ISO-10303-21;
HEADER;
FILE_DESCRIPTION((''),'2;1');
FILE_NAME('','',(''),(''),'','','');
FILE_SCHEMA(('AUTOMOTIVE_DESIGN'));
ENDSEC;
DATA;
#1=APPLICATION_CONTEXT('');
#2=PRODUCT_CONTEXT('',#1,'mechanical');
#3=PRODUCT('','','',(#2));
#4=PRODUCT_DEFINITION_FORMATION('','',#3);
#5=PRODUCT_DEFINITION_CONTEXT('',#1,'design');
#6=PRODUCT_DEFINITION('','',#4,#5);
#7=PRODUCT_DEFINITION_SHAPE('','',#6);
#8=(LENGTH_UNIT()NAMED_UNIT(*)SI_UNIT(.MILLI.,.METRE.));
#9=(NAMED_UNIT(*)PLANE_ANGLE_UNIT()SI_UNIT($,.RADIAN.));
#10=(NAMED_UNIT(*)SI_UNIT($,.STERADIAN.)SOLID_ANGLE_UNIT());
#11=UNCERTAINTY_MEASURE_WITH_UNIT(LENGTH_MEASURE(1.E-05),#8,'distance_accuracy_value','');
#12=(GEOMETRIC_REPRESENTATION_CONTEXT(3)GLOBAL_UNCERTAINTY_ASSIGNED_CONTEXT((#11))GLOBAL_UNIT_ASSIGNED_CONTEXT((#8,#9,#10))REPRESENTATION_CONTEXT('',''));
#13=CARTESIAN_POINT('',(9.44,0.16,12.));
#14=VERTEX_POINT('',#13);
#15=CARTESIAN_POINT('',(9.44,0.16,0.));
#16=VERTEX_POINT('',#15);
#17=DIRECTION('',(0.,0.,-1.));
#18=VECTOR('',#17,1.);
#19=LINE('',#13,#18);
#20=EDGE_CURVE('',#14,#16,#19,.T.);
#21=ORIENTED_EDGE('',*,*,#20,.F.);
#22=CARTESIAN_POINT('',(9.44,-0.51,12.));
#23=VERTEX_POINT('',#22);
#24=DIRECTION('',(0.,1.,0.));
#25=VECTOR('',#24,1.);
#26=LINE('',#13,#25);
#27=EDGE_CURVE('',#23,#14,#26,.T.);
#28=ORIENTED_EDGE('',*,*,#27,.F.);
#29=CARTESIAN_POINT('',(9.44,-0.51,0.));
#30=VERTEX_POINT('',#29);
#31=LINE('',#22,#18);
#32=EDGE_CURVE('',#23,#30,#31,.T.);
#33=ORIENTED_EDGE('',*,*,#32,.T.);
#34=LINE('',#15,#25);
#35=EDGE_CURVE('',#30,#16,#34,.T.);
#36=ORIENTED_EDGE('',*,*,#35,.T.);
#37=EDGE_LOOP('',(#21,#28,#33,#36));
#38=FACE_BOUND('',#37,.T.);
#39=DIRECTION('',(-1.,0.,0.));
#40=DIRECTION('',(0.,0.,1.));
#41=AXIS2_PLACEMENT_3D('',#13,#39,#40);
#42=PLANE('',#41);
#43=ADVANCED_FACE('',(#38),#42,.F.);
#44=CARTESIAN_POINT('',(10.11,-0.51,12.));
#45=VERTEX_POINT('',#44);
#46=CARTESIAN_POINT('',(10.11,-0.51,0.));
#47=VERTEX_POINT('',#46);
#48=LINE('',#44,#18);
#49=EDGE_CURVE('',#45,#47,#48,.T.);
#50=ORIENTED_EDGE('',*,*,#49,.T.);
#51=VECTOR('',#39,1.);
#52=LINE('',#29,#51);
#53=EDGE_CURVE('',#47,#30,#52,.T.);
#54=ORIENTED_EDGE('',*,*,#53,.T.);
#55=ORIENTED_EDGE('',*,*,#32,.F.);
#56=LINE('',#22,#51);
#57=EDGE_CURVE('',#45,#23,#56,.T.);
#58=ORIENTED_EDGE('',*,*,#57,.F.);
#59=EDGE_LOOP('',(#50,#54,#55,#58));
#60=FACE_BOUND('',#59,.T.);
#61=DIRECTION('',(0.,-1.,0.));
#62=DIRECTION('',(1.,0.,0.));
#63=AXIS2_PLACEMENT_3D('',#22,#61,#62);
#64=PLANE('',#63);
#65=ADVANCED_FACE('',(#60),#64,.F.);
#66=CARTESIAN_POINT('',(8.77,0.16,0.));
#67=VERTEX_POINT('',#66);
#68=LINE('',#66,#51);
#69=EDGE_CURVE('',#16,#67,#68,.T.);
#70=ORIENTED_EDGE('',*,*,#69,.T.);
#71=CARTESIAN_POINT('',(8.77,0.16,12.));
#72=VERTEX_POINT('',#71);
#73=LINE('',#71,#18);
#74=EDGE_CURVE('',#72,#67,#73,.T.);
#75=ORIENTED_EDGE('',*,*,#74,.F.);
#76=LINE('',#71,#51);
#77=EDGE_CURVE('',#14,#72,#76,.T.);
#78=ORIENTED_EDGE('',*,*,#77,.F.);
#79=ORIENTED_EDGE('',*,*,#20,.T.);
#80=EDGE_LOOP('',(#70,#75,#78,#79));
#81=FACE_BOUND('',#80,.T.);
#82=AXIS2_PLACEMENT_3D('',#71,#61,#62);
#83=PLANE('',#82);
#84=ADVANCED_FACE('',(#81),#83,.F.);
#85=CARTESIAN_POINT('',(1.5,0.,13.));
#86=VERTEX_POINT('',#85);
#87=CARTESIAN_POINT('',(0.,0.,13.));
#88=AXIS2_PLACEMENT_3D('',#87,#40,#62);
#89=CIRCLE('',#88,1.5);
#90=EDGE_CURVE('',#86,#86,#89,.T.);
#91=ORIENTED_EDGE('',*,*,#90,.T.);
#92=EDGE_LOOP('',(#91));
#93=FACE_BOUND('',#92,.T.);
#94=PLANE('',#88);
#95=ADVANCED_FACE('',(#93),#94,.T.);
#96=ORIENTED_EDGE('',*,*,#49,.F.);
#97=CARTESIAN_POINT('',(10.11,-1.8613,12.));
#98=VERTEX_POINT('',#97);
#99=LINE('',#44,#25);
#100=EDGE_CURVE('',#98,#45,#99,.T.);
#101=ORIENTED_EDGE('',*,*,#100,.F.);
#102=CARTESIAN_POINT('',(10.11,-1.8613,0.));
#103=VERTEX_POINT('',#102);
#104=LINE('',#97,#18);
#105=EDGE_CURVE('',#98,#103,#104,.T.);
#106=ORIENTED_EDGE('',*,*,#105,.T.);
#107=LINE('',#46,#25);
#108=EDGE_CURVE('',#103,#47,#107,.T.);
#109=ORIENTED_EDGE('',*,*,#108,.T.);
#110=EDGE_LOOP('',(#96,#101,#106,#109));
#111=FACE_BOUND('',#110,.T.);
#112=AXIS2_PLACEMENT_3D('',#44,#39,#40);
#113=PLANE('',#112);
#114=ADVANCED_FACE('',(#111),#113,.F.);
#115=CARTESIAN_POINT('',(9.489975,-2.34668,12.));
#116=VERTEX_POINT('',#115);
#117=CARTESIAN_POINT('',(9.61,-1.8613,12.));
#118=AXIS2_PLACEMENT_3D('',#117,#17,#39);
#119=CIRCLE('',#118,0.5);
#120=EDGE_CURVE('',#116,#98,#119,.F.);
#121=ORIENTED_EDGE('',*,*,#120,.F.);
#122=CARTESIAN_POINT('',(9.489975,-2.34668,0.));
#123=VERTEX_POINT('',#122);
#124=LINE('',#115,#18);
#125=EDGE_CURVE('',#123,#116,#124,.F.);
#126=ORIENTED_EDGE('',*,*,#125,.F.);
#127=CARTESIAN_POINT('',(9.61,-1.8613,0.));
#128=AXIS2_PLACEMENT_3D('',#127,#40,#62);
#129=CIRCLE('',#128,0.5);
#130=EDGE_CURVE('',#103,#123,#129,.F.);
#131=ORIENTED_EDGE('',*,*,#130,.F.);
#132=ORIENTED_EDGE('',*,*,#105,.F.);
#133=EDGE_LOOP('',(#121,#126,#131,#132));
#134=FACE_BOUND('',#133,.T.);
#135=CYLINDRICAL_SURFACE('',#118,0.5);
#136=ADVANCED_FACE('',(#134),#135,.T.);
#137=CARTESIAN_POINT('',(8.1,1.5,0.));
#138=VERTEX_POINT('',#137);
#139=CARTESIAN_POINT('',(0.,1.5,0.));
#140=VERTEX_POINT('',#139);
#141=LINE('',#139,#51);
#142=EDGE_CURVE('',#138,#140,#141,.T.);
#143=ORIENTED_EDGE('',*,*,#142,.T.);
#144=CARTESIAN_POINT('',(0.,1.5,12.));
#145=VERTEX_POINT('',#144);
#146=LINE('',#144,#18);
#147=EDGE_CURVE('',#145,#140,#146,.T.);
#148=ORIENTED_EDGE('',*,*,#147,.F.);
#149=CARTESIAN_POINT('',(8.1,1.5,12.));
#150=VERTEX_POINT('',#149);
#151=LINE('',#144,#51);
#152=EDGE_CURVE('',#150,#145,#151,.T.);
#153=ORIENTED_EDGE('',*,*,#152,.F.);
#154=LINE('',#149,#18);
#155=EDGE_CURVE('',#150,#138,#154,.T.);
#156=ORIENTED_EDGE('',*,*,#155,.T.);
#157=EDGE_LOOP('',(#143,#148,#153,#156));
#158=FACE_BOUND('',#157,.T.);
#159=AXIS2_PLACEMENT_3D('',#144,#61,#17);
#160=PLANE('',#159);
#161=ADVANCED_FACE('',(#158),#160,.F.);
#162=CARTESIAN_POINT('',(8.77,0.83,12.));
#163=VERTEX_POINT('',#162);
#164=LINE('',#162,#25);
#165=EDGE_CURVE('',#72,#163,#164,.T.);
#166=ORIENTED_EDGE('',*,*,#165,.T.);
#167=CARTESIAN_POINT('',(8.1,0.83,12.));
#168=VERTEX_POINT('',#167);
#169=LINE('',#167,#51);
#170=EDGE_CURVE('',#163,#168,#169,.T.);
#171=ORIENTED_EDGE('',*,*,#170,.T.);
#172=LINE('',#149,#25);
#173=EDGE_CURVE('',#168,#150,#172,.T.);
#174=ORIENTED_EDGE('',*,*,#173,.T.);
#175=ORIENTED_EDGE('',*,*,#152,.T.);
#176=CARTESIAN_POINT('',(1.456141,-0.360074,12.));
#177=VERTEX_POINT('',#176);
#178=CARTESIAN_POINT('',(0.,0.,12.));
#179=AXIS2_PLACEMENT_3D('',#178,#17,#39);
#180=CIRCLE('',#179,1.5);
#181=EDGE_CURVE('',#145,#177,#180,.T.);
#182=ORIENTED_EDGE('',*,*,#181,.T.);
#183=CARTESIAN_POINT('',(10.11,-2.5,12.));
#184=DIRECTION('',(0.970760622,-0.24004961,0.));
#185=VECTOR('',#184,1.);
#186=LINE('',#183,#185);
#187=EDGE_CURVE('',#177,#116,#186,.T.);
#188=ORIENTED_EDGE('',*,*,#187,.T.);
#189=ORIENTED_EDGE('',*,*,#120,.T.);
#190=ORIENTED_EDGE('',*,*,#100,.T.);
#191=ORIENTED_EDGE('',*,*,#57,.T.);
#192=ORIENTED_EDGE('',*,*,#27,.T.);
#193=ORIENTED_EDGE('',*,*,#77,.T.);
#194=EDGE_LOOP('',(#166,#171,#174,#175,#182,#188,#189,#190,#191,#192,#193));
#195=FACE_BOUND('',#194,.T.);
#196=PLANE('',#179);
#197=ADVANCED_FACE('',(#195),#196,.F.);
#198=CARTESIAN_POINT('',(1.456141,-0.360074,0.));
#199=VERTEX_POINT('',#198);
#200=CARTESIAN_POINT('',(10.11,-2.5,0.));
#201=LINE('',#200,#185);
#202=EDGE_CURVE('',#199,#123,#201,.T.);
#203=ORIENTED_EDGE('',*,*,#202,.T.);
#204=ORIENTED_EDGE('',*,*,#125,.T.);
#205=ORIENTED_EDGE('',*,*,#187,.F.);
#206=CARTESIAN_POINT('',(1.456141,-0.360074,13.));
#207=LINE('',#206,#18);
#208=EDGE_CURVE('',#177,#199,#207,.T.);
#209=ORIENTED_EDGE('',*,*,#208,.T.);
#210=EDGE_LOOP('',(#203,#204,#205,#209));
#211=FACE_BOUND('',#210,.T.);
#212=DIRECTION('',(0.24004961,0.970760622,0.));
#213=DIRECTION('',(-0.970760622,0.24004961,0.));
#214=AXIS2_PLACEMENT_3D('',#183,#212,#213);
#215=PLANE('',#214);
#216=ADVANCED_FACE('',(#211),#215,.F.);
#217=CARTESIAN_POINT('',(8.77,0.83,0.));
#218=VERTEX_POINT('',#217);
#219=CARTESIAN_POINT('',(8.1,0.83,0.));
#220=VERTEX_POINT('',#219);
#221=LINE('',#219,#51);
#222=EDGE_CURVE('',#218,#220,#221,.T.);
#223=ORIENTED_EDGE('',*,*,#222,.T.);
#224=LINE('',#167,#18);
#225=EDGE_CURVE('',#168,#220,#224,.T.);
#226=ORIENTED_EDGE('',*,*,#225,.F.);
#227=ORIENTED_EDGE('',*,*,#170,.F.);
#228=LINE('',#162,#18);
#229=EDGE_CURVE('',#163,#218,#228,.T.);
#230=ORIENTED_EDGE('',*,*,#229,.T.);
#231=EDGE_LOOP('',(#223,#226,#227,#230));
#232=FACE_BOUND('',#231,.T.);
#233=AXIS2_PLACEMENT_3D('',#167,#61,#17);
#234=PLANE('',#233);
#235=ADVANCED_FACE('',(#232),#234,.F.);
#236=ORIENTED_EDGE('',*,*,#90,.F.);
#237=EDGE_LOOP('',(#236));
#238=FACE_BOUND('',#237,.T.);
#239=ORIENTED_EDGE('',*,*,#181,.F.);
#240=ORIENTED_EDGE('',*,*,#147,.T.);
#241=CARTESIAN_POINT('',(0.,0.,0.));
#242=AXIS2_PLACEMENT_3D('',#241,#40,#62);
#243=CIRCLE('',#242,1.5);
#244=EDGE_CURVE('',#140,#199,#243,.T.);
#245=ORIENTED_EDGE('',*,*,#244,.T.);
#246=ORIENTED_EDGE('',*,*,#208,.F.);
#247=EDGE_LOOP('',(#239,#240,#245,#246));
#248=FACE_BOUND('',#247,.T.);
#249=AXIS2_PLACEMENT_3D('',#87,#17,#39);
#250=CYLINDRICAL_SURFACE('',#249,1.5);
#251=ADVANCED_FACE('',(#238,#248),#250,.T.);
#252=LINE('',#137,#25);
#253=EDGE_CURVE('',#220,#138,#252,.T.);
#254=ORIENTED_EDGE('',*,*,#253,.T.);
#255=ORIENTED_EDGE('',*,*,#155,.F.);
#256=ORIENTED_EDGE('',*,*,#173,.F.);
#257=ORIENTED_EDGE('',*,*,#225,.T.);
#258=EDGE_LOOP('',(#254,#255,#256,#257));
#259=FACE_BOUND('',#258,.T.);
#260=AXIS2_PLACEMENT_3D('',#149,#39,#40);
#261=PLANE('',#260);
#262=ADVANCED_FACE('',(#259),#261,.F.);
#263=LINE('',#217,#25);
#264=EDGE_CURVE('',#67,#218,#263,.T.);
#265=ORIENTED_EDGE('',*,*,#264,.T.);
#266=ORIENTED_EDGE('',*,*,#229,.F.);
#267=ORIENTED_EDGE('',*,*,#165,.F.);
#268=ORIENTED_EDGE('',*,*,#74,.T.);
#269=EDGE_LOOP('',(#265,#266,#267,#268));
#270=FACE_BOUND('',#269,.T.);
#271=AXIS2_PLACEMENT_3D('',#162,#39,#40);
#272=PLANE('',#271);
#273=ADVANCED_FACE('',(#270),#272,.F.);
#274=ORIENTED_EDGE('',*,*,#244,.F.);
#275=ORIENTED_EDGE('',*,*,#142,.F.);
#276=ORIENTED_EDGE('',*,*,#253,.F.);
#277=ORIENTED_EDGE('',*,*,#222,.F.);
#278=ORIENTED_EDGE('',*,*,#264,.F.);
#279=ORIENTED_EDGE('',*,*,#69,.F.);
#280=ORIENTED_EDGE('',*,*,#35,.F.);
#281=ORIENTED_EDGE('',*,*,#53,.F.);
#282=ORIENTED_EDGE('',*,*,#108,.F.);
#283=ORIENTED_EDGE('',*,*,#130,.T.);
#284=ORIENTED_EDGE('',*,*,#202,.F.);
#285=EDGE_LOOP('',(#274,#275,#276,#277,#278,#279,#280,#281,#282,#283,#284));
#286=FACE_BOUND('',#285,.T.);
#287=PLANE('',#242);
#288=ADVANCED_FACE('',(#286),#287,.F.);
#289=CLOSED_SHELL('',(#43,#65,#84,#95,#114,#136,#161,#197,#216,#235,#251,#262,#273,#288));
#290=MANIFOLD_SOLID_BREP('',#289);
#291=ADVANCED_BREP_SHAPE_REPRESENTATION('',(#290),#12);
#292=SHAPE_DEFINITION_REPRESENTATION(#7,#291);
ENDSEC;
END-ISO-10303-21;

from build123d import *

# Parameters (mm, degrees)
SKETCH_1_R      = 1.5
EXTRUDE_1_DEPTH = 13
EXTRUDE_2_DEPTH = 12
FILLET_1_R      = 0.5


with BuildPart() as part:
    # 草图1 → 凸台-拉伸1 (new body)
    with BuildSketch(Plane.XY):
        Circle(SKETCH_1_R)
    extrude(amount=EXTRUDE_1_DEPTH)

    # 草图2 → 凸台-拉伸2 (add)
    with BuildSketch(Plane.XY):
        Polygon((0, 1.5), (8.1, 1.5), (8.1, 0.83), (8.77, 0.83), (8.77, 0.16), (9.44, 0.16), (9.44, -0.51), (10.11, -0.51), (10.11, -2.5), (0, 0), align=None)
    extrude(amount=EXTRUDE_2_DEPTH)

    # 圆角1
    fillet_1_edges = [part.edges().sort_by_distance(p)[0] for p in [
        (10.11, -2.5, 6),
    ]]
    fillet(fillet_1_edges, radius=FILLET_1_R)


solid = part.part
